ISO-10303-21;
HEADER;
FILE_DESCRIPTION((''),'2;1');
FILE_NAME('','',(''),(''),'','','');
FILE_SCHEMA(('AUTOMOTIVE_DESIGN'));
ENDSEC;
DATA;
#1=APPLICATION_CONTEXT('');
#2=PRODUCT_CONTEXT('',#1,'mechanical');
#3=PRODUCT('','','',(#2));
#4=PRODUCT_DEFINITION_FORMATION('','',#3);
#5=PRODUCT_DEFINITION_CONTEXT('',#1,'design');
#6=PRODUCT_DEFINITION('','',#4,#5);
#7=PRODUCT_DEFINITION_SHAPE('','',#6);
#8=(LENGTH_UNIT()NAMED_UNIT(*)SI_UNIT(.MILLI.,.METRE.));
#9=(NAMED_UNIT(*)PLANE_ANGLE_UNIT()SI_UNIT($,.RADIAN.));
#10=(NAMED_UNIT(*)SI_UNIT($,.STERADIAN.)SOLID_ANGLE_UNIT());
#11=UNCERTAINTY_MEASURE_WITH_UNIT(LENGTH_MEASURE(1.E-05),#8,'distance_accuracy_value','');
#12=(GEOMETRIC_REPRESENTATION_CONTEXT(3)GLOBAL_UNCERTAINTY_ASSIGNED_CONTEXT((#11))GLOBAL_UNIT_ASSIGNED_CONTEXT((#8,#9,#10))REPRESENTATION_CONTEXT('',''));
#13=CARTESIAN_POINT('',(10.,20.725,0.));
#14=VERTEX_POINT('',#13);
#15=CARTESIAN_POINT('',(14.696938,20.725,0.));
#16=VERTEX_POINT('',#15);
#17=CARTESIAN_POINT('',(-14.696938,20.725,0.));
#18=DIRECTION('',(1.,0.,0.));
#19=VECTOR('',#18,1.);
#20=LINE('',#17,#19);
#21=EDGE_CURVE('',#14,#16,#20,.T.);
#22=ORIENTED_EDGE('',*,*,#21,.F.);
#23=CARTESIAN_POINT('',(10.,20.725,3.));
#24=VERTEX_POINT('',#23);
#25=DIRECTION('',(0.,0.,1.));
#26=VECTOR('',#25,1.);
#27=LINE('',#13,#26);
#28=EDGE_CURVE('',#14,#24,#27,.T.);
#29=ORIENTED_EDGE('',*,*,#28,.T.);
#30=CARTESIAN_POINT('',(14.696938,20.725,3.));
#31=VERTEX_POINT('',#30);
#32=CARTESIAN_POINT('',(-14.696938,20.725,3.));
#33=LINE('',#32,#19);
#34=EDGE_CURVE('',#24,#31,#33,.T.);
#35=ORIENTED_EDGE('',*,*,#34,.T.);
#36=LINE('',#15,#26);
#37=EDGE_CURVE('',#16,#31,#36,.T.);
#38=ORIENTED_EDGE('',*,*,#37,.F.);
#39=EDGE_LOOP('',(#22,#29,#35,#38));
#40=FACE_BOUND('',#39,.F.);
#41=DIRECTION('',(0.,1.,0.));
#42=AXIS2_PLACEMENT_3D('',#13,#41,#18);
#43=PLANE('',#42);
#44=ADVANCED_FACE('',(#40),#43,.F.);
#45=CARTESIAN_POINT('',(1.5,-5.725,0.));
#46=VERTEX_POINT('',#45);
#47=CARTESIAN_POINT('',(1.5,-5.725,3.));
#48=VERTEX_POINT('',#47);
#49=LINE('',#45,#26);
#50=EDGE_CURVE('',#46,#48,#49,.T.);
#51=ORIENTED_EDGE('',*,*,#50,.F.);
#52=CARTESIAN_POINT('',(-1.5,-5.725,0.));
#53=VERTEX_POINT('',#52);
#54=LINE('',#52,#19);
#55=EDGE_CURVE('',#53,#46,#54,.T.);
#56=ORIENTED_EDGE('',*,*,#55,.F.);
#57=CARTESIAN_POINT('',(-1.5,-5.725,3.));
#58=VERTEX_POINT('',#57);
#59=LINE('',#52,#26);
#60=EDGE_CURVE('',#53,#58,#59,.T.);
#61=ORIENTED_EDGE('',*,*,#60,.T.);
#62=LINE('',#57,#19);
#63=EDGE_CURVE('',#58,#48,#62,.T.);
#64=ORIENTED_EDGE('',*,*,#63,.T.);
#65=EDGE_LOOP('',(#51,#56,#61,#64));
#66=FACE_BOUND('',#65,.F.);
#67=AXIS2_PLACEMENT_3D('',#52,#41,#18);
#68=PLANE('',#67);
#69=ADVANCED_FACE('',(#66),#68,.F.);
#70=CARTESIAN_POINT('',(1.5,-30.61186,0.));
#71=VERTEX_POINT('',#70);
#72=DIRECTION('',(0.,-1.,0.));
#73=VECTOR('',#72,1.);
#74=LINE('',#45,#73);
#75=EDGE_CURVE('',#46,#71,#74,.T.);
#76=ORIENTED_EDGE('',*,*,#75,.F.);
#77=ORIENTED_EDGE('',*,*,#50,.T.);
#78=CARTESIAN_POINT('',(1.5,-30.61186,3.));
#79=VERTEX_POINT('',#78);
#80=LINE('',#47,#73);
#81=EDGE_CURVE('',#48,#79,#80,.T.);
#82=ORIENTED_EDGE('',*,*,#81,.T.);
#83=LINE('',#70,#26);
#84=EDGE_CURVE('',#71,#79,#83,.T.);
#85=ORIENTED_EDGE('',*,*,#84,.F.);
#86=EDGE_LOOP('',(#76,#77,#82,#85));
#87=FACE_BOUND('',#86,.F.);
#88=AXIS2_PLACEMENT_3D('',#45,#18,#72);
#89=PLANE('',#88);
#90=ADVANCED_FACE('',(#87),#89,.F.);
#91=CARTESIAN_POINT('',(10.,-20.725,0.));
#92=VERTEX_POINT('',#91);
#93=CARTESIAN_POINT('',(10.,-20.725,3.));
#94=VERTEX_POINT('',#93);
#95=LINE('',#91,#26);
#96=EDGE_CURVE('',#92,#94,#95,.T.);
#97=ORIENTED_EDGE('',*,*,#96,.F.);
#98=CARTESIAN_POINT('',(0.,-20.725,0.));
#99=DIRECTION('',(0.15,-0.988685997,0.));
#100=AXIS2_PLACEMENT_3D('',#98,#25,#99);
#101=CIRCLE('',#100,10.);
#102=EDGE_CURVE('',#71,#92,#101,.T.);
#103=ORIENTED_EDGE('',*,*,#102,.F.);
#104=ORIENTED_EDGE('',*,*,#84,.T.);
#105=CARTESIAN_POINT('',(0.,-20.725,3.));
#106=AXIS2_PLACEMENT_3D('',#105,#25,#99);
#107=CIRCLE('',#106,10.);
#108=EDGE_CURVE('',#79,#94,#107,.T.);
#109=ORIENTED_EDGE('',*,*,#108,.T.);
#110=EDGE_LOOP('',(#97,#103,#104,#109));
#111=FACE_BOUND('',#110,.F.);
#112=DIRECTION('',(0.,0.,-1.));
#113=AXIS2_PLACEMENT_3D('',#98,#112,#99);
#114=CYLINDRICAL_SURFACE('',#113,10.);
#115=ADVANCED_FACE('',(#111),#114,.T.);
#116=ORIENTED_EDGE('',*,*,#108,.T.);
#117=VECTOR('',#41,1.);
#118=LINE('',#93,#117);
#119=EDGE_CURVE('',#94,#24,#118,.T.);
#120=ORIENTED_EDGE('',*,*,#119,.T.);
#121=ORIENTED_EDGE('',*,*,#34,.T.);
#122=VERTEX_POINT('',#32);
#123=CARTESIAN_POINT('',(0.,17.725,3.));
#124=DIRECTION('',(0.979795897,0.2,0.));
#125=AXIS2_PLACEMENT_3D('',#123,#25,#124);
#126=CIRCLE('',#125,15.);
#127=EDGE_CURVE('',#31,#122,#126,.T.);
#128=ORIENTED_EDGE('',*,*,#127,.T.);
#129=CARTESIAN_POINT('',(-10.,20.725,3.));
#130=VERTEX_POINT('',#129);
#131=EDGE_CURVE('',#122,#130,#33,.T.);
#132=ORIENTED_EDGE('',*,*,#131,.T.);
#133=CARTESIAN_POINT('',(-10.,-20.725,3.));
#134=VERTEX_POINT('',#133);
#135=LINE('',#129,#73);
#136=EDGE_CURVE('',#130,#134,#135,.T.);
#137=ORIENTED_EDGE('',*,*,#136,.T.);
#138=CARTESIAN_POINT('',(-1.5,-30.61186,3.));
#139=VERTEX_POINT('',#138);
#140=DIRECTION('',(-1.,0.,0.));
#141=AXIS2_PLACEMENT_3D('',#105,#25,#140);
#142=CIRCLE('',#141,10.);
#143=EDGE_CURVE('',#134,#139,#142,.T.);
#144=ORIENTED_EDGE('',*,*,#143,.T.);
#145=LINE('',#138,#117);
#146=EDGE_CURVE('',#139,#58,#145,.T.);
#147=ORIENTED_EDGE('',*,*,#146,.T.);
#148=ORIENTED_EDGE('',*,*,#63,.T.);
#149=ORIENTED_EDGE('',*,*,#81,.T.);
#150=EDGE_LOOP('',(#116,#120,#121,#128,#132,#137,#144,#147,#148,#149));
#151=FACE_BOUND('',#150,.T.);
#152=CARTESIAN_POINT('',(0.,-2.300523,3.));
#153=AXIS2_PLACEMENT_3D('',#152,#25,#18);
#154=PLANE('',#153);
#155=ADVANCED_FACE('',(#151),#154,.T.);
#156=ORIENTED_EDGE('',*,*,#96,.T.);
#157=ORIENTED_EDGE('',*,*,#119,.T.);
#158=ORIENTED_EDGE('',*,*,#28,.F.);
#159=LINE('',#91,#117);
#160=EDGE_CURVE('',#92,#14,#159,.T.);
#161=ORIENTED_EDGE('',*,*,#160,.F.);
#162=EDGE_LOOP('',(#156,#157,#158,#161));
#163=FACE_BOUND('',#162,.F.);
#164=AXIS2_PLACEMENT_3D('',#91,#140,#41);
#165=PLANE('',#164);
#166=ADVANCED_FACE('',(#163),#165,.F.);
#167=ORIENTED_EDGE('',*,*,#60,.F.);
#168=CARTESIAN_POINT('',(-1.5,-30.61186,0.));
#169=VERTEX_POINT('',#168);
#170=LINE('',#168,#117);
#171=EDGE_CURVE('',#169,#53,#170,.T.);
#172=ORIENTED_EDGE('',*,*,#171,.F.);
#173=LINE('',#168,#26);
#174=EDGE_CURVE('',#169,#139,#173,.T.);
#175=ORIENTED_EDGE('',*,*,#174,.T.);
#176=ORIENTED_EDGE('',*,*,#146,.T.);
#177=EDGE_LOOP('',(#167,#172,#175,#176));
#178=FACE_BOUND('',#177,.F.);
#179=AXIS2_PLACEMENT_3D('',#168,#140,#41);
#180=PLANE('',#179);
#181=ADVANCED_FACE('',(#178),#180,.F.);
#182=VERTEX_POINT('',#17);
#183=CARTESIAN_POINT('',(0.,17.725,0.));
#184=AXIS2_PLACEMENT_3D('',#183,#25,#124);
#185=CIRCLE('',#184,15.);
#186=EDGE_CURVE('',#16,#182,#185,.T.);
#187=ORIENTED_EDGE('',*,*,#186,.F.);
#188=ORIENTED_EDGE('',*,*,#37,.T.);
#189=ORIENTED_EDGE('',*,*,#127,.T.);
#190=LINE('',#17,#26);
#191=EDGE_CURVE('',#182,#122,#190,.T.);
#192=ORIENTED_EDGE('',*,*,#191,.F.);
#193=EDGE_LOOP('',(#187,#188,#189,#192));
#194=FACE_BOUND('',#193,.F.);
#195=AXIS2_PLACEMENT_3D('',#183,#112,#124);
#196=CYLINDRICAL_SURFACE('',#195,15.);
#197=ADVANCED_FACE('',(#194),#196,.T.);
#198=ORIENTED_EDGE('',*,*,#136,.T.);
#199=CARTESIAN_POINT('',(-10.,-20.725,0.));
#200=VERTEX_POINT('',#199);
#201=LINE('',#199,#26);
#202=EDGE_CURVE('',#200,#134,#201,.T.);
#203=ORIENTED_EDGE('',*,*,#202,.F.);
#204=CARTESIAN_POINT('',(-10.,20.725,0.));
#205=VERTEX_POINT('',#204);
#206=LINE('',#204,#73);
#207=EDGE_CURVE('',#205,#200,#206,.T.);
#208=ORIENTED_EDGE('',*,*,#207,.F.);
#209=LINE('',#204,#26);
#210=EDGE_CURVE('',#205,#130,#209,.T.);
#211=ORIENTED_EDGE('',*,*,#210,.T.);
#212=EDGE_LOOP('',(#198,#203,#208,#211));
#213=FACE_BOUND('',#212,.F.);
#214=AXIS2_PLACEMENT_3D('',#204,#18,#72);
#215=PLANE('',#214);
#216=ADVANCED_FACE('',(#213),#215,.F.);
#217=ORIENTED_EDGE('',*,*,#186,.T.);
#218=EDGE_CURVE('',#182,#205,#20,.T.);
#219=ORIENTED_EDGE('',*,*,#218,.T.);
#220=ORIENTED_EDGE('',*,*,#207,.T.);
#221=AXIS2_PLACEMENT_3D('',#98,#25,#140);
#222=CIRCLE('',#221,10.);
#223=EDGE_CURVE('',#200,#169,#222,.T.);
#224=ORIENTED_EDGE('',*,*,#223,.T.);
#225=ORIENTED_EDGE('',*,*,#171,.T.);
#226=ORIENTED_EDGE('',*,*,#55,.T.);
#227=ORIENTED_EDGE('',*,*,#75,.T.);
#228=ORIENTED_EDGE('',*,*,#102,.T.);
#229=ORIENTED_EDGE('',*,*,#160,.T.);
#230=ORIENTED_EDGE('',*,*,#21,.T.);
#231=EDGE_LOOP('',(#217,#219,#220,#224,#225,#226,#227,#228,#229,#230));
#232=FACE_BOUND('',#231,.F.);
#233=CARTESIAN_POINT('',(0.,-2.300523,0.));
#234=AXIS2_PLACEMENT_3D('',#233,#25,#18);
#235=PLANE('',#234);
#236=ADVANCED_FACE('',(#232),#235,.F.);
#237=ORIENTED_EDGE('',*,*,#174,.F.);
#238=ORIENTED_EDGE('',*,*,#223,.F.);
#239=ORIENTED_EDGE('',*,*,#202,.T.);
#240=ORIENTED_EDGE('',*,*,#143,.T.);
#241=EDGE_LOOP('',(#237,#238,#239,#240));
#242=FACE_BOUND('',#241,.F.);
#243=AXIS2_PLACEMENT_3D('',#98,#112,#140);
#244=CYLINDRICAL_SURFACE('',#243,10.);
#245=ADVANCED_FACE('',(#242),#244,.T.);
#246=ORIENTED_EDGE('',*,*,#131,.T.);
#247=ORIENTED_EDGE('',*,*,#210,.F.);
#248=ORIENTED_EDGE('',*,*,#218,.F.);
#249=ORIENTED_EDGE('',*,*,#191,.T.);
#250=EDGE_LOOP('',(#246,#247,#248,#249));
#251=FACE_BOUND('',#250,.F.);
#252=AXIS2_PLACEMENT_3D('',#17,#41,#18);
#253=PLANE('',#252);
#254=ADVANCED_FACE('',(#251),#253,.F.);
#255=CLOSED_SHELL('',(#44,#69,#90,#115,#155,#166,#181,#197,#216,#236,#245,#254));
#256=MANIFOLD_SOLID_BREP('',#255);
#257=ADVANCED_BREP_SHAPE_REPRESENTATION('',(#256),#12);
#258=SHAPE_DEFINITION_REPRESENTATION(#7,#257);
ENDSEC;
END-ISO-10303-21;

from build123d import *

# Parameters (mm, degrees)
F1_DEPTH = 3


with BuildPart() as f1:
    # F0 (on Top) → F1 (new body)
    with BuildSketch(Plane.XY):
        Polygon((10, 20.725), (-10, 20.725), (-10, -20.725), (-1.5, -20.725), (-1.5, -5.725), (1.5, -5.725), (1.5, -20.725), (10, -20.725), align=None)
        with BuildLine():
            Line((-14.6969384567, 20.725), (-10, 20.725))
            Line((-10, 20.725), (10, 20.725))
            Line((10, 20.725), (14.6969384567, 20.725))
            ThreePointArc((14.6969384567, 20.725), (0, 32.725), (-14.6969384567, 20.725))
        make_face()
        with BuildLine():
            Line((-1.5, -20.725), (-10, -20.725))
            ThreePointArc((-10, -20.725), (-7.5828754441, -27.2442024052), (-1.5, -30.6118599666))
            Line((-1.5, -30.6118599666), (-1.5, -20.725))
        make_face()
        with BuildLine():
            ThreePointArc((1.5, -30.6118599666), (7.5828754441, -27.2442024052), (10, -20.725))
            Line((10, -20.725), (1.5, -20.725))
            Line((1.5, -20.725), (1.5, -30.6118599666))
        make_face()
    extrude(amount=F1_DEPTH)


solid = f1.part
